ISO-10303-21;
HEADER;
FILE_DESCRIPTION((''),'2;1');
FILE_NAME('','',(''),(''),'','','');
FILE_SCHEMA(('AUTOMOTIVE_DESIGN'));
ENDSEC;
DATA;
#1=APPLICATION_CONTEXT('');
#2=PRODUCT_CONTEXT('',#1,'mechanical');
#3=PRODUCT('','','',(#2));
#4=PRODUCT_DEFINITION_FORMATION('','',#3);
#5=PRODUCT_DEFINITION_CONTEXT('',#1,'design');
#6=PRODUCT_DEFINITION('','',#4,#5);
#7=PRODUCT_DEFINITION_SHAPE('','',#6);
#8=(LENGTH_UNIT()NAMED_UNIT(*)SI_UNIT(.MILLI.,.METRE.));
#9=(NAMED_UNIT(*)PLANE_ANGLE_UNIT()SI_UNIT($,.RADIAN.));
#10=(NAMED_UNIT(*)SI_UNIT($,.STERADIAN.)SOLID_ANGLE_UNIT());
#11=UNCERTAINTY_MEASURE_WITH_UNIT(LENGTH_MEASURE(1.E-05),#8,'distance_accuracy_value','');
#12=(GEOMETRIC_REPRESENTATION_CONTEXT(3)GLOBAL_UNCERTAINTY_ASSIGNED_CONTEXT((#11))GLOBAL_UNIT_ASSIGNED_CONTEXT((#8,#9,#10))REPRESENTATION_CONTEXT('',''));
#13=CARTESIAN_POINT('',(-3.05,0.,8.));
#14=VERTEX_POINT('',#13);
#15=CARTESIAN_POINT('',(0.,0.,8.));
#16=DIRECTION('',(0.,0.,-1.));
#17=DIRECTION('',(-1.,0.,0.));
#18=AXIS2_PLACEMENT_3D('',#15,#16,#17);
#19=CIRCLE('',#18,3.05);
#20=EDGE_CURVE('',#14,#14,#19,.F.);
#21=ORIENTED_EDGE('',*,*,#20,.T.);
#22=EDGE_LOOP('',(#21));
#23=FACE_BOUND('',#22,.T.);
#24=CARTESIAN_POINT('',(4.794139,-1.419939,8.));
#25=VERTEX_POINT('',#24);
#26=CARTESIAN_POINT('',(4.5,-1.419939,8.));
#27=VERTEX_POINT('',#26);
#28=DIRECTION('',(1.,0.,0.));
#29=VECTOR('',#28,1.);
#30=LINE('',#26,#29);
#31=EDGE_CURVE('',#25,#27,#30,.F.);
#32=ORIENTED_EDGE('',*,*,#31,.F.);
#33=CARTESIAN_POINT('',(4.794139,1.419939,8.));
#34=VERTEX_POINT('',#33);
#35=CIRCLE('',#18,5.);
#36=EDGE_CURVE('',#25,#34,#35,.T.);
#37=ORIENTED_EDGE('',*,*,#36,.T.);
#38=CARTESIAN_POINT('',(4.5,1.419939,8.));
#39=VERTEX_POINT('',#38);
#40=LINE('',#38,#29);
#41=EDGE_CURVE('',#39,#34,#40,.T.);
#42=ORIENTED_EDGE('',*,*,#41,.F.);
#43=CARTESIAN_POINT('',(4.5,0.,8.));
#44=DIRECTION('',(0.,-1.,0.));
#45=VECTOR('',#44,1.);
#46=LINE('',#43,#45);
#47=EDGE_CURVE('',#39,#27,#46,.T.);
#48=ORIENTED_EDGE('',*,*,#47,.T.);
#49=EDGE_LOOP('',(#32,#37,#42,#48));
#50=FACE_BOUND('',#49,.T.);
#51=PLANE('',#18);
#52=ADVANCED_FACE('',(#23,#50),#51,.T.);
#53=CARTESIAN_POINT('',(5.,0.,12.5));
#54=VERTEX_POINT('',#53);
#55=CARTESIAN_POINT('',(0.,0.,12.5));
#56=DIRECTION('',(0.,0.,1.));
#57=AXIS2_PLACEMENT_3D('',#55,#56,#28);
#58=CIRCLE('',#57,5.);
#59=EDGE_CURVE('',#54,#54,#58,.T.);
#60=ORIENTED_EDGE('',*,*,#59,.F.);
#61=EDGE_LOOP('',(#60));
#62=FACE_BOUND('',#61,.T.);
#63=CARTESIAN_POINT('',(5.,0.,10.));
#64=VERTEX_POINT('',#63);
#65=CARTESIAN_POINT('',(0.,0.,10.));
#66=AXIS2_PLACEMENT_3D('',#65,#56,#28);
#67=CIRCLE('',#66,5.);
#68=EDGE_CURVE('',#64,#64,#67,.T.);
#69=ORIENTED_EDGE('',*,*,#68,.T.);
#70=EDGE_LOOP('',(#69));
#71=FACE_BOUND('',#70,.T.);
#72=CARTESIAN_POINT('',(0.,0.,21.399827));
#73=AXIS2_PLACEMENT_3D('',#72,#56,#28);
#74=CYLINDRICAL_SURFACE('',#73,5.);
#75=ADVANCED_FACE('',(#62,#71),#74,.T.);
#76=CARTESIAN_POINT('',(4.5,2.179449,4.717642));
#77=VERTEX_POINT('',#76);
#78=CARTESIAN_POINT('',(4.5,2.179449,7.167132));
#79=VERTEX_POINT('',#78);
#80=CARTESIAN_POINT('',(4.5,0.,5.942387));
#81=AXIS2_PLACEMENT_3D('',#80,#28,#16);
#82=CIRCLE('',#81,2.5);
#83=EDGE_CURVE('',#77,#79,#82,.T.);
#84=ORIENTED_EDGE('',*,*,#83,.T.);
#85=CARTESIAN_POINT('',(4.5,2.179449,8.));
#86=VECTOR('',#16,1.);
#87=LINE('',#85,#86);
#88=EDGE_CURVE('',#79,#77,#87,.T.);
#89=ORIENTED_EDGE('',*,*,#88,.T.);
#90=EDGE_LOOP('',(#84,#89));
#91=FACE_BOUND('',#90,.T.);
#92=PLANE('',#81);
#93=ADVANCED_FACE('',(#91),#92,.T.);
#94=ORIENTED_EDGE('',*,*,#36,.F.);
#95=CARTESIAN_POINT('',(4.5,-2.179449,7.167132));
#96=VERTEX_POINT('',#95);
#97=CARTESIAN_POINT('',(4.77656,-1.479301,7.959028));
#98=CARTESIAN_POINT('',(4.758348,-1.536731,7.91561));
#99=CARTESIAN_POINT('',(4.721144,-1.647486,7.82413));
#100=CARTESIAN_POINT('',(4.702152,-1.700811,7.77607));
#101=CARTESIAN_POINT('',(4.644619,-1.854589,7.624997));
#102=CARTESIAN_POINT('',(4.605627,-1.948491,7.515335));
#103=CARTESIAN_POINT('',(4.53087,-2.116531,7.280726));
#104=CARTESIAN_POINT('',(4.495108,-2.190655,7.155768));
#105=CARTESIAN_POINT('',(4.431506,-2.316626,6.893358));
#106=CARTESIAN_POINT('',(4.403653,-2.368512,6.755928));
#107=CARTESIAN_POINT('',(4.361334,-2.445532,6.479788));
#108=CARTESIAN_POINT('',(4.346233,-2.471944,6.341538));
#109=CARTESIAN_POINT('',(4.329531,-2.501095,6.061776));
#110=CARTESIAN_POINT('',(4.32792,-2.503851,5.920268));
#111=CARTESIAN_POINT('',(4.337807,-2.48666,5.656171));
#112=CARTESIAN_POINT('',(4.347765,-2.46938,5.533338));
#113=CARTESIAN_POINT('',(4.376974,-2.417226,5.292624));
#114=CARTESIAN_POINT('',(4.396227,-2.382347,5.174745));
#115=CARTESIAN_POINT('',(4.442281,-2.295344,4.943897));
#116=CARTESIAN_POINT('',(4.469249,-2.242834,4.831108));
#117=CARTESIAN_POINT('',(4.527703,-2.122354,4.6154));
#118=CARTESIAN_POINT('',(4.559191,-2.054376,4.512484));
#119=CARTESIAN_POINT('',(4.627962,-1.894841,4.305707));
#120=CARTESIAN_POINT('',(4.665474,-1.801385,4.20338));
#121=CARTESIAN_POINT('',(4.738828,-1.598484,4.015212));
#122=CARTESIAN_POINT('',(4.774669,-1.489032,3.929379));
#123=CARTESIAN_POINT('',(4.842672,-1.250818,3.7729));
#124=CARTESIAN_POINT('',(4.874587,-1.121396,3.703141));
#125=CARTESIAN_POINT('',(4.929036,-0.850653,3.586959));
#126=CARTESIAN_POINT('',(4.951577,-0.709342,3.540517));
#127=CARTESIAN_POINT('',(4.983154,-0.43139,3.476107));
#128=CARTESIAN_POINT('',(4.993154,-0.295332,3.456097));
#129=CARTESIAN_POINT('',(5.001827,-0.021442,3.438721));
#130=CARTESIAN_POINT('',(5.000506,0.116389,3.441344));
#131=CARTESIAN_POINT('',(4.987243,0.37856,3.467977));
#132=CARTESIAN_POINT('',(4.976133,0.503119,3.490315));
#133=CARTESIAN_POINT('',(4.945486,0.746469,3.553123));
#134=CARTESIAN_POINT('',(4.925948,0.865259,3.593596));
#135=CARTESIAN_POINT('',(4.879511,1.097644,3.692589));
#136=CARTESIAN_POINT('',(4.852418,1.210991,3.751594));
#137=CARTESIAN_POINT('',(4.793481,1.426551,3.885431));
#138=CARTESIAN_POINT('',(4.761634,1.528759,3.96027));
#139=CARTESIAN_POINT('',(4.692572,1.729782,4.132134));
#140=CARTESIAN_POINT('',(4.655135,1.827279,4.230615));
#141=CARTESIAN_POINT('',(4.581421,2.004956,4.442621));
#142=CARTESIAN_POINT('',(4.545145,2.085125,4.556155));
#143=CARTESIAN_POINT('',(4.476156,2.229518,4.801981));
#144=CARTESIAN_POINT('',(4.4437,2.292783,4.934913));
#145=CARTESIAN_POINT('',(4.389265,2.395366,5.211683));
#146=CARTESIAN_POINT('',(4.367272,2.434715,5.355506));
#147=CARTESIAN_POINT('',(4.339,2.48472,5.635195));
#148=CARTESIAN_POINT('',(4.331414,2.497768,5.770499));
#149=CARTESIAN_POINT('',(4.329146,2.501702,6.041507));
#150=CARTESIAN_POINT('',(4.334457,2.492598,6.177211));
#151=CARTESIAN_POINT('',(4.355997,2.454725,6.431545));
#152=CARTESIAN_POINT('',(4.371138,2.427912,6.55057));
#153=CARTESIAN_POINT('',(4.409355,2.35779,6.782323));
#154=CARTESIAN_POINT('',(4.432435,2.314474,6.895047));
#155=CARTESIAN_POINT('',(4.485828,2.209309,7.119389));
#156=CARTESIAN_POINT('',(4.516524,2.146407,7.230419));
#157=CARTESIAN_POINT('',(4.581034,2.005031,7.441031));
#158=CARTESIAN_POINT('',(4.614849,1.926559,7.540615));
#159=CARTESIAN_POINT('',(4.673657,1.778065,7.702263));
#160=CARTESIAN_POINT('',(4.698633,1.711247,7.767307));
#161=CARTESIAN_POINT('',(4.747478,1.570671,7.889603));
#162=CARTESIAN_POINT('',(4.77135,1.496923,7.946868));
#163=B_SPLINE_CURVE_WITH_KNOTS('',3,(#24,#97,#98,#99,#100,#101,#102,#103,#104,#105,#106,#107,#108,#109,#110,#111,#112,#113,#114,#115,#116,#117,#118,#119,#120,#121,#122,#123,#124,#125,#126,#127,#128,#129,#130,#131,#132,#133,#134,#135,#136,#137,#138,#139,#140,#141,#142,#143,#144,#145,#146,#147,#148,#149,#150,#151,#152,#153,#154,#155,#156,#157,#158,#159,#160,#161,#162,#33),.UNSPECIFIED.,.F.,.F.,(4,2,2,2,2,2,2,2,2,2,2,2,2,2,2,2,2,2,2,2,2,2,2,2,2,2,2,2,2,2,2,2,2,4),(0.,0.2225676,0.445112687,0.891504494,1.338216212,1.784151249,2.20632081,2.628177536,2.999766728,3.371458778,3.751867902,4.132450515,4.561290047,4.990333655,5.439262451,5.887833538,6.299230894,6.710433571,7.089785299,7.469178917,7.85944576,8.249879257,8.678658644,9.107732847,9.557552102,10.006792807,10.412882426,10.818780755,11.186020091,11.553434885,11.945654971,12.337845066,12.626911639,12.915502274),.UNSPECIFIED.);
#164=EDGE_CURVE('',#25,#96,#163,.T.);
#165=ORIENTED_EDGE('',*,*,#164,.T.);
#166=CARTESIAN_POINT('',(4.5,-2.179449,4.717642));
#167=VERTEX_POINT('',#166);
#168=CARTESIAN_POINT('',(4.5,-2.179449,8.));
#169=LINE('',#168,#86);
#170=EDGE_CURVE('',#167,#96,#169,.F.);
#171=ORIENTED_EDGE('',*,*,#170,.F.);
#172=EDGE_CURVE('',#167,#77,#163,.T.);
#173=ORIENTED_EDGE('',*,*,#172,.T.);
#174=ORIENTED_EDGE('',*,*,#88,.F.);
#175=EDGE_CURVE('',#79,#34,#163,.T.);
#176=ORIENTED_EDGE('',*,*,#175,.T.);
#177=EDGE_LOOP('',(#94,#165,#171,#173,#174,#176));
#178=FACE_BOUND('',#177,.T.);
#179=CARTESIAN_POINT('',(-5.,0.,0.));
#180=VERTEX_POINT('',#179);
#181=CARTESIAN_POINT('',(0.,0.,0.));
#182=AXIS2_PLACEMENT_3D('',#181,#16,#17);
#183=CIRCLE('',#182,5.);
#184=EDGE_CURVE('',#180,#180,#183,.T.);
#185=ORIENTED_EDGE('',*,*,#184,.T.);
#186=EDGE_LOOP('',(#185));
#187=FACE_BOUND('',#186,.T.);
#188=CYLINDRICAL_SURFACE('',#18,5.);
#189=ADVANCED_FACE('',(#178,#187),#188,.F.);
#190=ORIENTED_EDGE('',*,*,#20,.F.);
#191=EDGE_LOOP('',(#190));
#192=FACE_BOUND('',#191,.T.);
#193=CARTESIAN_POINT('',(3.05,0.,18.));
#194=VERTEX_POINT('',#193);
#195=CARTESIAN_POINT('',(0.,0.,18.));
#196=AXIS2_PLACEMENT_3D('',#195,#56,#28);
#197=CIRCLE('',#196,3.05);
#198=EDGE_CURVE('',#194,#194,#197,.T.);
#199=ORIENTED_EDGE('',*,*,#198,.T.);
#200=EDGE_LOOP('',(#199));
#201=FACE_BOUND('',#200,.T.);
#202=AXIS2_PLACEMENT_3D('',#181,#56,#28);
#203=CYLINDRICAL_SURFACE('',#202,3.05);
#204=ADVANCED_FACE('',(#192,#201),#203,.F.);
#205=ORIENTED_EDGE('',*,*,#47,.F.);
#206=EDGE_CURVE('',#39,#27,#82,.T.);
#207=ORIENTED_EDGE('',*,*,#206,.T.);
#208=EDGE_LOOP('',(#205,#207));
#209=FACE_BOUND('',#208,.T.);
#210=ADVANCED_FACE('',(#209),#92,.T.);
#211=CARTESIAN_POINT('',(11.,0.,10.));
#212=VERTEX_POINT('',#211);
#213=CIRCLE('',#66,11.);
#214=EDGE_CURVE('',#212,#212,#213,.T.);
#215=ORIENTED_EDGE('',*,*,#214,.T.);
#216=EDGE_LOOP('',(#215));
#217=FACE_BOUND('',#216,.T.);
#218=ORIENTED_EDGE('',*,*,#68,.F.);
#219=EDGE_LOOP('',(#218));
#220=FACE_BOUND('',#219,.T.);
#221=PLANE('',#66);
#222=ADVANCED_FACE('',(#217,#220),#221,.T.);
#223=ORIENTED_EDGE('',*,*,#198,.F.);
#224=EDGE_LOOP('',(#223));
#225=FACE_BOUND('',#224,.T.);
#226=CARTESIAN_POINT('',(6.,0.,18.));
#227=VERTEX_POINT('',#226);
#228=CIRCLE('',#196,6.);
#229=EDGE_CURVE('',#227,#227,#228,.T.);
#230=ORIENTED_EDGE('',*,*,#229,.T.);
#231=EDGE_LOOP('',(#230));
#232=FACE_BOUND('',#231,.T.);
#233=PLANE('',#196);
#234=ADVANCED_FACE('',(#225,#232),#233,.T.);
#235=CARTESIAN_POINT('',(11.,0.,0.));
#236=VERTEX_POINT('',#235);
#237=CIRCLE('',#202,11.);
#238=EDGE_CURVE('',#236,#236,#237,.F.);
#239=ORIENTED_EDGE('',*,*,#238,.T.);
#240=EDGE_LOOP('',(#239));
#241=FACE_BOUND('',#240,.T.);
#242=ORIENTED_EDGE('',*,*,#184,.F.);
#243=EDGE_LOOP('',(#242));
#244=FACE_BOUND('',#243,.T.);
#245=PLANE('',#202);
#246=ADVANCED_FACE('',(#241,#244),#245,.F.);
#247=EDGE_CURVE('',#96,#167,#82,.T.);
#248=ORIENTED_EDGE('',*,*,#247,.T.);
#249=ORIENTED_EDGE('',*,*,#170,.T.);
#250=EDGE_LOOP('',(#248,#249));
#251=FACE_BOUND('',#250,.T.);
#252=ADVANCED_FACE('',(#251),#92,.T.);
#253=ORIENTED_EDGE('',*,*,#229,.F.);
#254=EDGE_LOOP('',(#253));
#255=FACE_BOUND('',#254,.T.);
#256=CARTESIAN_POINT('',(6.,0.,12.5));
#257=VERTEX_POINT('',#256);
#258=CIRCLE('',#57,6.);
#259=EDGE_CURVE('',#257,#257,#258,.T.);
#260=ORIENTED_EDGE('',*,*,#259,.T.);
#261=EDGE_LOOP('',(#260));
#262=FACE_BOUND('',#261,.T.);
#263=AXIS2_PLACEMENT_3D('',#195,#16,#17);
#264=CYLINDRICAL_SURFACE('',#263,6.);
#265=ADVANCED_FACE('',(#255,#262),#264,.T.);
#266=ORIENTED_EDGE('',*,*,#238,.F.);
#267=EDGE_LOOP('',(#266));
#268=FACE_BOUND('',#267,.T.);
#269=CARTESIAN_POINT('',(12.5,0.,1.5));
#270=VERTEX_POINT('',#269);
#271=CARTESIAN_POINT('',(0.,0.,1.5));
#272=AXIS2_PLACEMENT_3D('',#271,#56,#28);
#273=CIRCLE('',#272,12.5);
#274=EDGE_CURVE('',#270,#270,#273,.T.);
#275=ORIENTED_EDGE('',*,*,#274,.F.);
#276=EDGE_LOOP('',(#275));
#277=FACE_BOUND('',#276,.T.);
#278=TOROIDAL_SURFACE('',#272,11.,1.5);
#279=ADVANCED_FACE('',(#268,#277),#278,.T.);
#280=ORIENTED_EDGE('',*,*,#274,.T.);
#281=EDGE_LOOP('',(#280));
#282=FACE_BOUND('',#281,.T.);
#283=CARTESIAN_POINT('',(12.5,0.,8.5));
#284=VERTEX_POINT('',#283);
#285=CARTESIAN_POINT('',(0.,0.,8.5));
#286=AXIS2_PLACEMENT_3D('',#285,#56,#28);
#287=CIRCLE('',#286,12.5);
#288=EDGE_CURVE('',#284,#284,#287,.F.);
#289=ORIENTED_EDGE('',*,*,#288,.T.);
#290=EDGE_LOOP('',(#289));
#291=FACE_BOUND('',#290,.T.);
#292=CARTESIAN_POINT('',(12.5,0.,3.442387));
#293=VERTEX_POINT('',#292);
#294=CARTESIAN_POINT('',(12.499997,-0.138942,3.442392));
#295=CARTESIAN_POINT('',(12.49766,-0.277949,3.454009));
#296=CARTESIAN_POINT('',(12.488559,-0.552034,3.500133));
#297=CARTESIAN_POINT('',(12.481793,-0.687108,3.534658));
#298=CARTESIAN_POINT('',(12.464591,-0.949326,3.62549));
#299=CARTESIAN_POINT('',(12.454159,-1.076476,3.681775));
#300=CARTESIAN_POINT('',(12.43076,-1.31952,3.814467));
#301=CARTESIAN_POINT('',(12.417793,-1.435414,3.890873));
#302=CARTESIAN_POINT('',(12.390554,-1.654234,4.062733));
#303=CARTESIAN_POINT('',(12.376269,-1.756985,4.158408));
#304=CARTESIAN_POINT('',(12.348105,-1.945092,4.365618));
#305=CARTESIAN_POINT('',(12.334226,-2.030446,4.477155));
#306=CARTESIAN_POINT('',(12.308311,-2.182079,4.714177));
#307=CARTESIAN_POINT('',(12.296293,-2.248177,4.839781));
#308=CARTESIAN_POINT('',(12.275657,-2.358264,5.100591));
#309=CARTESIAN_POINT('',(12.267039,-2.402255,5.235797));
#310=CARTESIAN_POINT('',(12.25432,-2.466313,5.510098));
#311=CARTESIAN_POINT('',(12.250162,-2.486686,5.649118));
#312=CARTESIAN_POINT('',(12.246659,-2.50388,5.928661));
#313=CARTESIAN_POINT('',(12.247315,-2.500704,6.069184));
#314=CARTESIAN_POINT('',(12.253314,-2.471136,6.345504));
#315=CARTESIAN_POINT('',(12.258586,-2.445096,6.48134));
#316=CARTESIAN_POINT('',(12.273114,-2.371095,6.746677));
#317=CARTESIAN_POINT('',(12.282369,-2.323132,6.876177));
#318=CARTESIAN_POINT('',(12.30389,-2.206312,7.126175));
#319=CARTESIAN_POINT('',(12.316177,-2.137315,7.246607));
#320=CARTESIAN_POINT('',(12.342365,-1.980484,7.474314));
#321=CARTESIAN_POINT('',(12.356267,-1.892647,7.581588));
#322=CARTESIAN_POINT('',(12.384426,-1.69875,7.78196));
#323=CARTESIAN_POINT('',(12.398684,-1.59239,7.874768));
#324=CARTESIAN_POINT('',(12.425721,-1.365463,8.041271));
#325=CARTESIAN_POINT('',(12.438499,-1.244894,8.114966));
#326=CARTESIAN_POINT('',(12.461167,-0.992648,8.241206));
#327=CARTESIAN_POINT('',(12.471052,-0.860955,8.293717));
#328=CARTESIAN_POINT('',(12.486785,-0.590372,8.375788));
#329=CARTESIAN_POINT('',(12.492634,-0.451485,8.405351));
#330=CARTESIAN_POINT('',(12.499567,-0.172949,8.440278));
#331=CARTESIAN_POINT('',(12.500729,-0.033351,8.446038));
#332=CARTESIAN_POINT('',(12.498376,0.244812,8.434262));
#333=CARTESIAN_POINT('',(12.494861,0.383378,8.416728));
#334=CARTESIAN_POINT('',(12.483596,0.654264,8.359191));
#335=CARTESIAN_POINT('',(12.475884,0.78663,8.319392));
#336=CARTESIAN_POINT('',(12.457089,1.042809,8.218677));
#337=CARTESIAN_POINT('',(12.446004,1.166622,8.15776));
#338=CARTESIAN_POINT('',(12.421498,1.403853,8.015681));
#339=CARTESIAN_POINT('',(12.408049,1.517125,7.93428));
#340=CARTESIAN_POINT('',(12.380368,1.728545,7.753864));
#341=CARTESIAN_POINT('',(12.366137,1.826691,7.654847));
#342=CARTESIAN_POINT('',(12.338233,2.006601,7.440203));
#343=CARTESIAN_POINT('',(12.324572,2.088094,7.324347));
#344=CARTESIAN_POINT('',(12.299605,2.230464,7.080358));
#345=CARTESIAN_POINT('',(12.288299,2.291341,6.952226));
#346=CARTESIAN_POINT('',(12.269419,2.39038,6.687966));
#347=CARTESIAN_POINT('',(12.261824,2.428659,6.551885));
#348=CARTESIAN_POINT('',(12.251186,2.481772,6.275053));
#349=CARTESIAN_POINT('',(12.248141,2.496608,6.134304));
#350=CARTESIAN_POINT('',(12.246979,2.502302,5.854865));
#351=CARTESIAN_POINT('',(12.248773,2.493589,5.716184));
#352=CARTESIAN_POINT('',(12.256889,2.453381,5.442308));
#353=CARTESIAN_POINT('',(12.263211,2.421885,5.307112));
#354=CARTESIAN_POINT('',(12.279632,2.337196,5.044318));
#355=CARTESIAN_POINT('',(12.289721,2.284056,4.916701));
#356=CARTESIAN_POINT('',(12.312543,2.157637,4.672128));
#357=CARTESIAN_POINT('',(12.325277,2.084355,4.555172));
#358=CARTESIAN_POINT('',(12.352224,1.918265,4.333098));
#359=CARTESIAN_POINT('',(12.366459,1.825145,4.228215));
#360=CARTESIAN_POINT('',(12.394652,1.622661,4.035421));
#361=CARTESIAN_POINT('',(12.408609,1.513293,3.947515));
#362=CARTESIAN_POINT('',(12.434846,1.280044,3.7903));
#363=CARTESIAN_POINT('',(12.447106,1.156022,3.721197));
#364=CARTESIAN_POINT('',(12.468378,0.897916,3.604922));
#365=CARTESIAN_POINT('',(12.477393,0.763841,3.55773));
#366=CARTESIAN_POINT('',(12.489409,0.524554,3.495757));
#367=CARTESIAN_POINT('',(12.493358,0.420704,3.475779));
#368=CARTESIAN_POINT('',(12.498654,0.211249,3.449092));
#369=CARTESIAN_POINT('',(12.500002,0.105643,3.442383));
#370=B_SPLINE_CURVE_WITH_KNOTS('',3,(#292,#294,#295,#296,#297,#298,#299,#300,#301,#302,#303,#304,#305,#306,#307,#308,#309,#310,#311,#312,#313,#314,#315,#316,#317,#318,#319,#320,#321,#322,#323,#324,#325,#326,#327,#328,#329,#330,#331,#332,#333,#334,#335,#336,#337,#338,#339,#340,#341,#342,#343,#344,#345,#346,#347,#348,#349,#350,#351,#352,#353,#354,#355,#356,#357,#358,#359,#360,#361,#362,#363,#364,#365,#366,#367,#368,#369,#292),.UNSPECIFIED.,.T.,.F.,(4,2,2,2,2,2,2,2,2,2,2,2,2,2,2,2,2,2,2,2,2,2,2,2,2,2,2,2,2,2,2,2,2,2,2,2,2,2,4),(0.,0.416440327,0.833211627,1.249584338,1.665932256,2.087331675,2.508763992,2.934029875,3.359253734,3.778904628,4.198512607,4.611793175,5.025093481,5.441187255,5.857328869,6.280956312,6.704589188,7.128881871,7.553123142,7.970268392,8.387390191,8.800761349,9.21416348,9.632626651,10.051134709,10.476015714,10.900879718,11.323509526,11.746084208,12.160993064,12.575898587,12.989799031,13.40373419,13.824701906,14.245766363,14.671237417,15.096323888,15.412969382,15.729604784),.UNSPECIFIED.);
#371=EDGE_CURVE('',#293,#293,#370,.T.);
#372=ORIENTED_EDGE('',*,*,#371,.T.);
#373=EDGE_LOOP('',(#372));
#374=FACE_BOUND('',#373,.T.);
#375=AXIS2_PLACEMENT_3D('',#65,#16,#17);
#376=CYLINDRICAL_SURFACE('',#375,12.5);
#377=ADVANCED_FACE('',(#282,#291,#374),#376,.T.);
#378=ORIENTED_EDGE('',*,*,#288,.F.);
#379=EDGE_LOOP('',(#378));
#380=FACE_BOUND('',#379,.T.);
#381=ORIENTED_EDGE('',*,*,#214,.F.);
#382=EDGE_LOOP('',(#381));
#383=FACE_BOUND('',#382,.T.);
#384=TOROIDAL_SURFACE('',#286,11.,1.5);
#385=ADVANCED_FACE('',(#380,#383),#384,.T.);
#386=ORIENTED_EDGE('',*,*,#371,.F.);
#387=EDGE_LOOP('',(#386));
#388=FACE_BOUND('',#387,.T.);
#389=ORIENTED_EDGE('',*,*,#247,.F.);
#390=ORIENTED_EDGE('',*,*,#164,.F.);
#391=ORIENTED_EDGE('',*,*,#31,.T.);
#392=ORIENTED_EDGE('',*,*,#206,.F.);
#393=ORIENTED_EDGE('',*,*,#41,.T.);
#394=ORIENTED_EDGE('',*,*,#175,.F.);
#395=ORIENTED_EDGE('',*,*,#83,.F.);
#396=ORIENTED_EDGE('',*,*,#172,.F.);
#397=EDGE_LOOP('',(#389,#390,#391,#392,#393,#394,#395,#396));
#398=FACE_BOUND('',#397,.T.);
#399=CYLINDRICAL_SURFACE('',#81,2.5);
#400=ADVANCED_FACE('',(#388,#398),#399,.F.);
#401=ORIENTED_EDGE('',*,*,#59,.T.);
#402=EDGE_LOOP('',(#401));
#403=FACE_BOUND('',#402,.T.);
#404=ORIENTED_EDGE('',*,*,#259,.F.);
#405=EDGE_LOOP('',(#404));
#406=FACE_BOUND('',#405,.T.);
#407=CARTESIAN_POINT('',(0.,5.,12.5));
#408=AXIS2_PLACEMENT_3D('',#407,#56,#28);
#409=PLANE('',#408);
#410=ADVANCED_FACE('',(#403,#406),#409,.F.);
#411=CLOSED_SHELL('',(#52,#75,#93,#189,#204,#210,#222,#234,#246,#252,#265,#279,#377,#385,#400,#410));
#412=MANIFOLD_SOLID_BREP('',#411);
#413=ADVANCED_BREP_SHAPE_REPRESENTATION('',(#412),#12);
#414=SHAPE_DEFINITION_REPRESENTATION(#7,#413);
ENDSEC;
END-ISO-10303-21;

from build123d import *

# Parameters (mm, degrees)
ESQUISSE1_R             = 12.5
BASE_EXTRUSION_DEPTH    = 10
ESQUISSE2_R             = 6
BOSS_EXTRU_1_DEPTH      = 8
ESQUISSE3_R             = 3.05
ENL_V_MAT_EXTRU_1_DEPTH = 26.228951623
ESQUISSE4_R             = 5
ENL_V_MAT_EXTRU_2_DEPTH = 8
ESQUISSE5_W             = 2.5
ESQUISSE5_H             = 2
CONG_1_R                = 1.5
ESQUISSE7_R             = 2.5
ENL_V_MAT_EXTRU_4_DEPTH = 8


with BuildPart() as part:
    # Esquisse1 → Base-Extrusion (new body)
    with BuildSketch(Plane.XY):
        Circle(ESQUISSE1_R)
    extrude(amount=BASE_EXTRUSION_DEPTH)

    # Esquisse2 → Boss.-Extru.1 (add)
    with BuildSketch(Plane.XY.offset(10)):
        Circle(ESQUISSE2_R)
    extrude(amount=BOSS_EXTRU_1_DEPTH)

    # Esquisse3 → Enlèv. mat.-Extru.1 (cut, through all)
    with BuildSketch(Plane.XY.offset(18)):
        Circle(ESQUISSE3_R)
    extrude(amount=-ENL_V_MAT_EXTRU_1_DEPTH, mode=Mode.SUBTRACT)

    # Esquisse4 → Enlèv. mat.-Extru.2 (cut)
    with BuildSketch(Plane(origin=(0, 0, 0), x_dir=(-1, 0, 0), z_dir=(0, 0, -1))):
        Circle(ESQUISSE4_R)
    extrude(amount=-ENL_V_MAT_EXTRU_2_DEPTH, mode=Mode.SUBTRACT)

    # Esquisse5 → Enlever de la matière-Révolution1 (revolve, cut)
    with BuildSketch(Plane(origin=(0, 0, 0), x_dir=(0, 0, -1), z_dir=(1, 0, 0)), mode=Mode.PRIVATE) as enlever_de_la_mati_re_r_volution1_sk:
        with Locations((-11.25, 6)):
            Rectangle(ESQUISSE5_W, ESQUISSE5_H)
    revolve(enlever_de_la_mati_re_r_volution1_sk.sketch.rotate(Axis((0, 0, 21.399826727), (0, 0, -1)), 90), axis=Axis((0, 0, 21.399826727), (0, 0, -1)), mode=Mode.SUBTRACT)

    # Congé1
    cong_1_edges = [part.edges().sort_by_distance(p)[0] for p in [
        (-12.5, 0, 0),
        (-12.5, 0, 10),
    ]]
    fillet(cong_1_edges, radius=CONG_1_R)

    # Esquisse7 → Enlèv. mat.-Extru.4 (cut)
    with BuildSketch(Plane(origin=(12.5, 0, 0), x_dir=(0, 0, -1), z_dir=(1, 0, 0))):
        with Locations((-5.942386831, 0)):
            Circle(ESQUISSE7_R)
    extrude(amount=-ENL_V_MAT_EXTRU_4_DEPTH, mode=Mode.SUBTRACT)


solid = part.part
